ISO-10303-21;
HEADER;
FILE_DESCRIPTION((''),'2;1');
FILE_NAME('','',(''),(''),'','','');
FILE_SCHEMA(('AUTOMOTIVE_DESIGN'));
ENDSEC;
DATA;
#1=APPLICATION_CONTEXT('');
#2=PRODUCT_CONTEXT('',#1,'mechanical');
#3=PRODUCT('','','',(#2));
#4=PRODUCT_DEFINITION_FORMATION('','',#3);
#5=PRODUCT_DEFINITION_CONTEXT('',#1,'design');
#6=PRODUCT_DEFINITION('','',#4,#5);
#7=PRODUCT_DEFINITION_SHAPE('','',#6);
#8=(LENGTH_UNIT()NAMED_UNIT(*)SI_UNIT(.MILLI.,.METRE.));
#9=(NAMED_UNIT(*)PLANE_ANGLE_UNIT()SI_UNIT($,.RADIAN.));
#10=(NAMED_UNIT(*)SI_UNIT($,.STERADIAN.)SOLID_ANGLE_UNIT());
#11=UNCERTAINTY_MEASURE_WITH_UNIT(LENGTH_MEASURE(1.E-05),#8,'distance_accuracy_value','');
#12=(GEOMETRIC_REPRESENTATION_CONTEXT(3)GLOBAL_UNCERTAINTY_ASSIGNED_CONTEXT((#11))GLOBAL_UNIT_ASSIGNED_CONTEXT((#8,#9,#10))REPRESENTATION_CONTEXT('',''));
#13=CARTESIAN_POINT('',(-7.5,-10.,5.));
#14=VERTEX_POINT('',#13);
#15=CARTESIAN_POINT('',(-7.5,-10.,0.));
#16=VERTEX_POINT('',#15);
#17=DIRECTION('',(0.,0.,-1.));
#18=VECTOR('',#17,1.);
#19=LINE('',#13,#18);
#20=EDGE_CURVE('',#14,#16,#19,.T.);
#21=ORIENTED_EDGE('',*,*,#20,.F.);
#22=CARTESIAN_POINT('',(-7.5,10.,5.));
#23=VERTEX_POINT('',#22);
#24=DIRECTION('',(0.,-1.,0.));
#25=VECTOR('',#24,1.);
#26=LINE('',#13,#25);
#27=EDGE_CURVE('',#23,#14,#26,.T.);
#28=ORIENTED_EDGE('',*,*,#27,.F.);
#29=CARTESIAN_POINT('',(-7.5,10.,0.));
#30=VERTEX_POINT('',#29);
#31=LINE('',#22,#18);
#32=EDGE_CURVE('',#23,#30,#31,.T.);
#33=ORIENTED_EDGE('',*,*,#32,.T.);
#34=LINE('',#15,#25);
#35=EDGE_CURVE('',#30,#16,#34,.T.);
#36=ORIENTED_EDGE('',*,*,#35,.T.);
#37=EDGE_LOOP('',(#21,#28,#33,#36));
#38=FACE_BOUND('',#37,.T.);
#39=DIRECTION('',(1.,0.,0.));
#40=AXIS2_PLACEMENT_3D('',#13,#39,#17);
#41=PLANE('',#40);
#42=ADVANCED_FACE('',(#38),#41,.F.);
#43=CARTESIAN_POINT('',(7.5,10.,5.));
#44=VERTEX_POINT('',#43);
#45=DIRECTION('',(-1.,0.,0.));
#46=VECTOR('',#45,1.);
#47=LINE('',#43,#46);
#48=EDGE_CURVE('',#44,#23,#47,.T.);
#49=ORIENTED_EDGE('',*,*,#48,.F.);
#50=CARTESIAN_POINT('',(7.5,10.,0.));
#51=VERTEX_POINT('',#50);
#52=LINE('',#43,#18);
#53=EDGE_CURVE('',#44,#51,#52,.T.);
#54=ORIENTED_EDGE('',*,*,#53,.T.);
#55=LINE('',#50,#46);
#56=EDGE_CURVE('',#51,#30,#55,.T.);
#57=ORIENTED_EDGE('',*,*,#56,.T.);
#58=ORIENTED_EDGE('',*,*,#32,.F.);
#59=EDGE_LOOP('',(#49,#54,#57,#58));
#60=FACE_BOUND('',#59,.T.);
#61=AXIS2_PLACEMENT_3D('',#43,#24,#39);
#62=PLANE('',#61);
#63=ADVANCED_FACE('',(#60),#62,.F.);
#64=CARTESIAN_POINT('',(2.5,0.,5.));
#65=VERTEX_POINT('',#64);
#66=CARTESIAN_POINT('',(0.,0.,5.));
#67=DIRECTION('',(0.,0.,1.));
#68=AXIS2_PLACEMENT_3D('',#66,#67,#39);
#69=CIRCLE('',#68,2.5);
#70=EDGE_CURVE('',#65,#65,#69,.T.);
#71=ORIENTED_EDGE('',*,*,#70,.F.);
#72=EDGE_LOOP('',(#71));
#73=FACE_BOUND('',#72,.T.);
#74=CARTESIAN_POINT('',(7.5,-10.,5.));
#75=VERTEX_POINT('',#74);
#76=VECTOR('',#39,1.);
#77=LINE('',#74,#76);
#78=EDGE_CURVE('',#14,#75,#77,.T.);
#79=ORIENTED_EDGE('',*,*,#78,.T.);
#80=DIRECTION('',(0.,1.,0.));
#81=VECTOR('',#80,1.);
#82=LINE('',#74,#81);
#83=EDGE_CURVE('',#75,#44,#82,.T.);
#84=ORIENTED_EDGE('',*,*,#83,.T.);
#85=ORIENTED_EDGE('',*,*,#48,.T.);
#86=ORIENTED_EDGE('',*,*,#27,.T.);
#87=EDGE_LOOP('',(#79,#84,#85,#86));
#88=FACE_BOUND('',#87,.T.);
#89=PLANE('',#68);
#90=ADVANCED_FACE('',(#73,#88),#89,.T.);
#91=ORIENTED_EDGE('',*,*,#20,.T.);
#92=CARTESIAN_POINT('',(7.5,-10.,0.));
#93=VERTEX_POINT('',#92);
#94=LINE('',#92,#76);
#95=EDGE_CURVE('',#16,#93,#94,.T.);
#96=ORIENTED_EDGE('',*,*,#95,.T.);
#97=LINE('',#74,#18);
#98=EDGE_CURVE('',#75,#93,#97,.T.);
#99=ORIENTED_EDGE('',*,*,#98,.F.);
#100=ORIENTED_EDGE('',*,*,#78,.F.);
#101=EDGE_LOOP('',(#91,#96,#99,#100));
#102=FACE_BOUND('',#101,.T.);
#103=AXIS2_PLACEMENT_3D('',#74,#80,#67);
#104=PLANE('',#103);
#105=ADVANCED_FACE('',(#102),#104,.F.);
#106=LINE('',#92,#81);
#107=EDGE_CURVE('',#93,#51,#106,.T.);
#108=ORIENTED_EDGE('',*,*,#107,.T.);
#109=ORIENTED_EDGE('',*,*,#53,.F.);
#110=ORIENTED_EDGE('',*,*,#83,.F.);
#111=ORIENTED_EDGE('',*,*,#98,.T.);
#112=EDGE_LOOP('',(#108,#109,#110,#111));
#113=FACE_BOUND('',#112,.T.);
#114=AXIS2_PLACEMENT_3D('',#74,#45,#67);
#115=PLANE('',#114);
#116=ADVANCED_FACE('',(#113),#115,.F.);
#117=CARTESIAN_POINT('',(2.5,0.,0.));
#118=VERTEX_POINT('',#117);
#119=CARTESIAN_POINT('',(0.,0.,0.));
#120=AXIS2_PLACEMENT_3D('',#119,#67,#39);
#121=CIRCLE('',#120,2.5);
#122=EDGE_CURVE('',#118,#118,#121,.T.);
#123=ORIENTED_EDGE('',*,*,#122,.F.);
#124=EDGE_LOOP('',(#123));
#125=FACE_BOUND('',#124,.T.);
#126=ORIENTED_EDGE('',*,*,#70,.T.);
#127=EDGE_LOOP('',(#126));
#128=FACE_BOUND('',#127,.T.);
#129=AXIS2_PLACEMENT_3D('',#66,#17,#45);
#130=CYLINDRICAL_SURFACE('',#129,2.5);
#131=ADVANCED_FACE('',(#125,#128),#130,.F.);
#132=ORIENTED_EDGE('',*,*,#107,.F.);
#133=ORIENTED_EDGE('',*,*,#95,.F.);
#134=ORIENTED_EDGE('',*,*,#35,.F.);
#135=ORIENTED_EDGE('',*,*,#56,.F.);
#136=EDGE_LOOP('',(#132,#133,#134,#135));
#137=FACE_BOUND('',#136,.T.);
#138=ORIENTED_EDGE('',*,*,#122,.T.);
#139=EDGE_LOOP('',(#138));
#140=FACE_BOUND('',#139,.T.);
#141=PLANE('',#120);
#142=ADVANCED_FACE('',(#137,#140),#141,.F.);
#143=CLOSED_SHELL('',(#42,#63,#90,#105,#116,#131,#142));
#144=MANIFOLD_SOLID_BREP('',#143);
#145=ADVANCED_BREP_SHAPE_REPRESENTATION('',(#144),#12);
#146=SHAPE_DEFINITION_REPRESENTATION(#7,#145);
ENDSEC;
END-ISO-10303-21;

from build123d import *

# Parameters (mm, degrees)
ESBO_O1_W                = 15
ESBO_O1_H                = 20
ESBO_O1_R                = 2.5
RESSALTO_EXTRUS_O1_DEPTH = 5


with BuildPart() as part:
    # Esboço1 → Ressalto-extrusão1 (new body)
    with BuildSketch(Plane.XY):
        Rectangle(ESBO_O1_W, ESBO_O1_H)
        Circle(ESBO_O1_R, mode=Mode.SUBTRACT)
    extrude(amount=RESSALTO_EXTRUS_O1_DEPTH)


solid = part.part
